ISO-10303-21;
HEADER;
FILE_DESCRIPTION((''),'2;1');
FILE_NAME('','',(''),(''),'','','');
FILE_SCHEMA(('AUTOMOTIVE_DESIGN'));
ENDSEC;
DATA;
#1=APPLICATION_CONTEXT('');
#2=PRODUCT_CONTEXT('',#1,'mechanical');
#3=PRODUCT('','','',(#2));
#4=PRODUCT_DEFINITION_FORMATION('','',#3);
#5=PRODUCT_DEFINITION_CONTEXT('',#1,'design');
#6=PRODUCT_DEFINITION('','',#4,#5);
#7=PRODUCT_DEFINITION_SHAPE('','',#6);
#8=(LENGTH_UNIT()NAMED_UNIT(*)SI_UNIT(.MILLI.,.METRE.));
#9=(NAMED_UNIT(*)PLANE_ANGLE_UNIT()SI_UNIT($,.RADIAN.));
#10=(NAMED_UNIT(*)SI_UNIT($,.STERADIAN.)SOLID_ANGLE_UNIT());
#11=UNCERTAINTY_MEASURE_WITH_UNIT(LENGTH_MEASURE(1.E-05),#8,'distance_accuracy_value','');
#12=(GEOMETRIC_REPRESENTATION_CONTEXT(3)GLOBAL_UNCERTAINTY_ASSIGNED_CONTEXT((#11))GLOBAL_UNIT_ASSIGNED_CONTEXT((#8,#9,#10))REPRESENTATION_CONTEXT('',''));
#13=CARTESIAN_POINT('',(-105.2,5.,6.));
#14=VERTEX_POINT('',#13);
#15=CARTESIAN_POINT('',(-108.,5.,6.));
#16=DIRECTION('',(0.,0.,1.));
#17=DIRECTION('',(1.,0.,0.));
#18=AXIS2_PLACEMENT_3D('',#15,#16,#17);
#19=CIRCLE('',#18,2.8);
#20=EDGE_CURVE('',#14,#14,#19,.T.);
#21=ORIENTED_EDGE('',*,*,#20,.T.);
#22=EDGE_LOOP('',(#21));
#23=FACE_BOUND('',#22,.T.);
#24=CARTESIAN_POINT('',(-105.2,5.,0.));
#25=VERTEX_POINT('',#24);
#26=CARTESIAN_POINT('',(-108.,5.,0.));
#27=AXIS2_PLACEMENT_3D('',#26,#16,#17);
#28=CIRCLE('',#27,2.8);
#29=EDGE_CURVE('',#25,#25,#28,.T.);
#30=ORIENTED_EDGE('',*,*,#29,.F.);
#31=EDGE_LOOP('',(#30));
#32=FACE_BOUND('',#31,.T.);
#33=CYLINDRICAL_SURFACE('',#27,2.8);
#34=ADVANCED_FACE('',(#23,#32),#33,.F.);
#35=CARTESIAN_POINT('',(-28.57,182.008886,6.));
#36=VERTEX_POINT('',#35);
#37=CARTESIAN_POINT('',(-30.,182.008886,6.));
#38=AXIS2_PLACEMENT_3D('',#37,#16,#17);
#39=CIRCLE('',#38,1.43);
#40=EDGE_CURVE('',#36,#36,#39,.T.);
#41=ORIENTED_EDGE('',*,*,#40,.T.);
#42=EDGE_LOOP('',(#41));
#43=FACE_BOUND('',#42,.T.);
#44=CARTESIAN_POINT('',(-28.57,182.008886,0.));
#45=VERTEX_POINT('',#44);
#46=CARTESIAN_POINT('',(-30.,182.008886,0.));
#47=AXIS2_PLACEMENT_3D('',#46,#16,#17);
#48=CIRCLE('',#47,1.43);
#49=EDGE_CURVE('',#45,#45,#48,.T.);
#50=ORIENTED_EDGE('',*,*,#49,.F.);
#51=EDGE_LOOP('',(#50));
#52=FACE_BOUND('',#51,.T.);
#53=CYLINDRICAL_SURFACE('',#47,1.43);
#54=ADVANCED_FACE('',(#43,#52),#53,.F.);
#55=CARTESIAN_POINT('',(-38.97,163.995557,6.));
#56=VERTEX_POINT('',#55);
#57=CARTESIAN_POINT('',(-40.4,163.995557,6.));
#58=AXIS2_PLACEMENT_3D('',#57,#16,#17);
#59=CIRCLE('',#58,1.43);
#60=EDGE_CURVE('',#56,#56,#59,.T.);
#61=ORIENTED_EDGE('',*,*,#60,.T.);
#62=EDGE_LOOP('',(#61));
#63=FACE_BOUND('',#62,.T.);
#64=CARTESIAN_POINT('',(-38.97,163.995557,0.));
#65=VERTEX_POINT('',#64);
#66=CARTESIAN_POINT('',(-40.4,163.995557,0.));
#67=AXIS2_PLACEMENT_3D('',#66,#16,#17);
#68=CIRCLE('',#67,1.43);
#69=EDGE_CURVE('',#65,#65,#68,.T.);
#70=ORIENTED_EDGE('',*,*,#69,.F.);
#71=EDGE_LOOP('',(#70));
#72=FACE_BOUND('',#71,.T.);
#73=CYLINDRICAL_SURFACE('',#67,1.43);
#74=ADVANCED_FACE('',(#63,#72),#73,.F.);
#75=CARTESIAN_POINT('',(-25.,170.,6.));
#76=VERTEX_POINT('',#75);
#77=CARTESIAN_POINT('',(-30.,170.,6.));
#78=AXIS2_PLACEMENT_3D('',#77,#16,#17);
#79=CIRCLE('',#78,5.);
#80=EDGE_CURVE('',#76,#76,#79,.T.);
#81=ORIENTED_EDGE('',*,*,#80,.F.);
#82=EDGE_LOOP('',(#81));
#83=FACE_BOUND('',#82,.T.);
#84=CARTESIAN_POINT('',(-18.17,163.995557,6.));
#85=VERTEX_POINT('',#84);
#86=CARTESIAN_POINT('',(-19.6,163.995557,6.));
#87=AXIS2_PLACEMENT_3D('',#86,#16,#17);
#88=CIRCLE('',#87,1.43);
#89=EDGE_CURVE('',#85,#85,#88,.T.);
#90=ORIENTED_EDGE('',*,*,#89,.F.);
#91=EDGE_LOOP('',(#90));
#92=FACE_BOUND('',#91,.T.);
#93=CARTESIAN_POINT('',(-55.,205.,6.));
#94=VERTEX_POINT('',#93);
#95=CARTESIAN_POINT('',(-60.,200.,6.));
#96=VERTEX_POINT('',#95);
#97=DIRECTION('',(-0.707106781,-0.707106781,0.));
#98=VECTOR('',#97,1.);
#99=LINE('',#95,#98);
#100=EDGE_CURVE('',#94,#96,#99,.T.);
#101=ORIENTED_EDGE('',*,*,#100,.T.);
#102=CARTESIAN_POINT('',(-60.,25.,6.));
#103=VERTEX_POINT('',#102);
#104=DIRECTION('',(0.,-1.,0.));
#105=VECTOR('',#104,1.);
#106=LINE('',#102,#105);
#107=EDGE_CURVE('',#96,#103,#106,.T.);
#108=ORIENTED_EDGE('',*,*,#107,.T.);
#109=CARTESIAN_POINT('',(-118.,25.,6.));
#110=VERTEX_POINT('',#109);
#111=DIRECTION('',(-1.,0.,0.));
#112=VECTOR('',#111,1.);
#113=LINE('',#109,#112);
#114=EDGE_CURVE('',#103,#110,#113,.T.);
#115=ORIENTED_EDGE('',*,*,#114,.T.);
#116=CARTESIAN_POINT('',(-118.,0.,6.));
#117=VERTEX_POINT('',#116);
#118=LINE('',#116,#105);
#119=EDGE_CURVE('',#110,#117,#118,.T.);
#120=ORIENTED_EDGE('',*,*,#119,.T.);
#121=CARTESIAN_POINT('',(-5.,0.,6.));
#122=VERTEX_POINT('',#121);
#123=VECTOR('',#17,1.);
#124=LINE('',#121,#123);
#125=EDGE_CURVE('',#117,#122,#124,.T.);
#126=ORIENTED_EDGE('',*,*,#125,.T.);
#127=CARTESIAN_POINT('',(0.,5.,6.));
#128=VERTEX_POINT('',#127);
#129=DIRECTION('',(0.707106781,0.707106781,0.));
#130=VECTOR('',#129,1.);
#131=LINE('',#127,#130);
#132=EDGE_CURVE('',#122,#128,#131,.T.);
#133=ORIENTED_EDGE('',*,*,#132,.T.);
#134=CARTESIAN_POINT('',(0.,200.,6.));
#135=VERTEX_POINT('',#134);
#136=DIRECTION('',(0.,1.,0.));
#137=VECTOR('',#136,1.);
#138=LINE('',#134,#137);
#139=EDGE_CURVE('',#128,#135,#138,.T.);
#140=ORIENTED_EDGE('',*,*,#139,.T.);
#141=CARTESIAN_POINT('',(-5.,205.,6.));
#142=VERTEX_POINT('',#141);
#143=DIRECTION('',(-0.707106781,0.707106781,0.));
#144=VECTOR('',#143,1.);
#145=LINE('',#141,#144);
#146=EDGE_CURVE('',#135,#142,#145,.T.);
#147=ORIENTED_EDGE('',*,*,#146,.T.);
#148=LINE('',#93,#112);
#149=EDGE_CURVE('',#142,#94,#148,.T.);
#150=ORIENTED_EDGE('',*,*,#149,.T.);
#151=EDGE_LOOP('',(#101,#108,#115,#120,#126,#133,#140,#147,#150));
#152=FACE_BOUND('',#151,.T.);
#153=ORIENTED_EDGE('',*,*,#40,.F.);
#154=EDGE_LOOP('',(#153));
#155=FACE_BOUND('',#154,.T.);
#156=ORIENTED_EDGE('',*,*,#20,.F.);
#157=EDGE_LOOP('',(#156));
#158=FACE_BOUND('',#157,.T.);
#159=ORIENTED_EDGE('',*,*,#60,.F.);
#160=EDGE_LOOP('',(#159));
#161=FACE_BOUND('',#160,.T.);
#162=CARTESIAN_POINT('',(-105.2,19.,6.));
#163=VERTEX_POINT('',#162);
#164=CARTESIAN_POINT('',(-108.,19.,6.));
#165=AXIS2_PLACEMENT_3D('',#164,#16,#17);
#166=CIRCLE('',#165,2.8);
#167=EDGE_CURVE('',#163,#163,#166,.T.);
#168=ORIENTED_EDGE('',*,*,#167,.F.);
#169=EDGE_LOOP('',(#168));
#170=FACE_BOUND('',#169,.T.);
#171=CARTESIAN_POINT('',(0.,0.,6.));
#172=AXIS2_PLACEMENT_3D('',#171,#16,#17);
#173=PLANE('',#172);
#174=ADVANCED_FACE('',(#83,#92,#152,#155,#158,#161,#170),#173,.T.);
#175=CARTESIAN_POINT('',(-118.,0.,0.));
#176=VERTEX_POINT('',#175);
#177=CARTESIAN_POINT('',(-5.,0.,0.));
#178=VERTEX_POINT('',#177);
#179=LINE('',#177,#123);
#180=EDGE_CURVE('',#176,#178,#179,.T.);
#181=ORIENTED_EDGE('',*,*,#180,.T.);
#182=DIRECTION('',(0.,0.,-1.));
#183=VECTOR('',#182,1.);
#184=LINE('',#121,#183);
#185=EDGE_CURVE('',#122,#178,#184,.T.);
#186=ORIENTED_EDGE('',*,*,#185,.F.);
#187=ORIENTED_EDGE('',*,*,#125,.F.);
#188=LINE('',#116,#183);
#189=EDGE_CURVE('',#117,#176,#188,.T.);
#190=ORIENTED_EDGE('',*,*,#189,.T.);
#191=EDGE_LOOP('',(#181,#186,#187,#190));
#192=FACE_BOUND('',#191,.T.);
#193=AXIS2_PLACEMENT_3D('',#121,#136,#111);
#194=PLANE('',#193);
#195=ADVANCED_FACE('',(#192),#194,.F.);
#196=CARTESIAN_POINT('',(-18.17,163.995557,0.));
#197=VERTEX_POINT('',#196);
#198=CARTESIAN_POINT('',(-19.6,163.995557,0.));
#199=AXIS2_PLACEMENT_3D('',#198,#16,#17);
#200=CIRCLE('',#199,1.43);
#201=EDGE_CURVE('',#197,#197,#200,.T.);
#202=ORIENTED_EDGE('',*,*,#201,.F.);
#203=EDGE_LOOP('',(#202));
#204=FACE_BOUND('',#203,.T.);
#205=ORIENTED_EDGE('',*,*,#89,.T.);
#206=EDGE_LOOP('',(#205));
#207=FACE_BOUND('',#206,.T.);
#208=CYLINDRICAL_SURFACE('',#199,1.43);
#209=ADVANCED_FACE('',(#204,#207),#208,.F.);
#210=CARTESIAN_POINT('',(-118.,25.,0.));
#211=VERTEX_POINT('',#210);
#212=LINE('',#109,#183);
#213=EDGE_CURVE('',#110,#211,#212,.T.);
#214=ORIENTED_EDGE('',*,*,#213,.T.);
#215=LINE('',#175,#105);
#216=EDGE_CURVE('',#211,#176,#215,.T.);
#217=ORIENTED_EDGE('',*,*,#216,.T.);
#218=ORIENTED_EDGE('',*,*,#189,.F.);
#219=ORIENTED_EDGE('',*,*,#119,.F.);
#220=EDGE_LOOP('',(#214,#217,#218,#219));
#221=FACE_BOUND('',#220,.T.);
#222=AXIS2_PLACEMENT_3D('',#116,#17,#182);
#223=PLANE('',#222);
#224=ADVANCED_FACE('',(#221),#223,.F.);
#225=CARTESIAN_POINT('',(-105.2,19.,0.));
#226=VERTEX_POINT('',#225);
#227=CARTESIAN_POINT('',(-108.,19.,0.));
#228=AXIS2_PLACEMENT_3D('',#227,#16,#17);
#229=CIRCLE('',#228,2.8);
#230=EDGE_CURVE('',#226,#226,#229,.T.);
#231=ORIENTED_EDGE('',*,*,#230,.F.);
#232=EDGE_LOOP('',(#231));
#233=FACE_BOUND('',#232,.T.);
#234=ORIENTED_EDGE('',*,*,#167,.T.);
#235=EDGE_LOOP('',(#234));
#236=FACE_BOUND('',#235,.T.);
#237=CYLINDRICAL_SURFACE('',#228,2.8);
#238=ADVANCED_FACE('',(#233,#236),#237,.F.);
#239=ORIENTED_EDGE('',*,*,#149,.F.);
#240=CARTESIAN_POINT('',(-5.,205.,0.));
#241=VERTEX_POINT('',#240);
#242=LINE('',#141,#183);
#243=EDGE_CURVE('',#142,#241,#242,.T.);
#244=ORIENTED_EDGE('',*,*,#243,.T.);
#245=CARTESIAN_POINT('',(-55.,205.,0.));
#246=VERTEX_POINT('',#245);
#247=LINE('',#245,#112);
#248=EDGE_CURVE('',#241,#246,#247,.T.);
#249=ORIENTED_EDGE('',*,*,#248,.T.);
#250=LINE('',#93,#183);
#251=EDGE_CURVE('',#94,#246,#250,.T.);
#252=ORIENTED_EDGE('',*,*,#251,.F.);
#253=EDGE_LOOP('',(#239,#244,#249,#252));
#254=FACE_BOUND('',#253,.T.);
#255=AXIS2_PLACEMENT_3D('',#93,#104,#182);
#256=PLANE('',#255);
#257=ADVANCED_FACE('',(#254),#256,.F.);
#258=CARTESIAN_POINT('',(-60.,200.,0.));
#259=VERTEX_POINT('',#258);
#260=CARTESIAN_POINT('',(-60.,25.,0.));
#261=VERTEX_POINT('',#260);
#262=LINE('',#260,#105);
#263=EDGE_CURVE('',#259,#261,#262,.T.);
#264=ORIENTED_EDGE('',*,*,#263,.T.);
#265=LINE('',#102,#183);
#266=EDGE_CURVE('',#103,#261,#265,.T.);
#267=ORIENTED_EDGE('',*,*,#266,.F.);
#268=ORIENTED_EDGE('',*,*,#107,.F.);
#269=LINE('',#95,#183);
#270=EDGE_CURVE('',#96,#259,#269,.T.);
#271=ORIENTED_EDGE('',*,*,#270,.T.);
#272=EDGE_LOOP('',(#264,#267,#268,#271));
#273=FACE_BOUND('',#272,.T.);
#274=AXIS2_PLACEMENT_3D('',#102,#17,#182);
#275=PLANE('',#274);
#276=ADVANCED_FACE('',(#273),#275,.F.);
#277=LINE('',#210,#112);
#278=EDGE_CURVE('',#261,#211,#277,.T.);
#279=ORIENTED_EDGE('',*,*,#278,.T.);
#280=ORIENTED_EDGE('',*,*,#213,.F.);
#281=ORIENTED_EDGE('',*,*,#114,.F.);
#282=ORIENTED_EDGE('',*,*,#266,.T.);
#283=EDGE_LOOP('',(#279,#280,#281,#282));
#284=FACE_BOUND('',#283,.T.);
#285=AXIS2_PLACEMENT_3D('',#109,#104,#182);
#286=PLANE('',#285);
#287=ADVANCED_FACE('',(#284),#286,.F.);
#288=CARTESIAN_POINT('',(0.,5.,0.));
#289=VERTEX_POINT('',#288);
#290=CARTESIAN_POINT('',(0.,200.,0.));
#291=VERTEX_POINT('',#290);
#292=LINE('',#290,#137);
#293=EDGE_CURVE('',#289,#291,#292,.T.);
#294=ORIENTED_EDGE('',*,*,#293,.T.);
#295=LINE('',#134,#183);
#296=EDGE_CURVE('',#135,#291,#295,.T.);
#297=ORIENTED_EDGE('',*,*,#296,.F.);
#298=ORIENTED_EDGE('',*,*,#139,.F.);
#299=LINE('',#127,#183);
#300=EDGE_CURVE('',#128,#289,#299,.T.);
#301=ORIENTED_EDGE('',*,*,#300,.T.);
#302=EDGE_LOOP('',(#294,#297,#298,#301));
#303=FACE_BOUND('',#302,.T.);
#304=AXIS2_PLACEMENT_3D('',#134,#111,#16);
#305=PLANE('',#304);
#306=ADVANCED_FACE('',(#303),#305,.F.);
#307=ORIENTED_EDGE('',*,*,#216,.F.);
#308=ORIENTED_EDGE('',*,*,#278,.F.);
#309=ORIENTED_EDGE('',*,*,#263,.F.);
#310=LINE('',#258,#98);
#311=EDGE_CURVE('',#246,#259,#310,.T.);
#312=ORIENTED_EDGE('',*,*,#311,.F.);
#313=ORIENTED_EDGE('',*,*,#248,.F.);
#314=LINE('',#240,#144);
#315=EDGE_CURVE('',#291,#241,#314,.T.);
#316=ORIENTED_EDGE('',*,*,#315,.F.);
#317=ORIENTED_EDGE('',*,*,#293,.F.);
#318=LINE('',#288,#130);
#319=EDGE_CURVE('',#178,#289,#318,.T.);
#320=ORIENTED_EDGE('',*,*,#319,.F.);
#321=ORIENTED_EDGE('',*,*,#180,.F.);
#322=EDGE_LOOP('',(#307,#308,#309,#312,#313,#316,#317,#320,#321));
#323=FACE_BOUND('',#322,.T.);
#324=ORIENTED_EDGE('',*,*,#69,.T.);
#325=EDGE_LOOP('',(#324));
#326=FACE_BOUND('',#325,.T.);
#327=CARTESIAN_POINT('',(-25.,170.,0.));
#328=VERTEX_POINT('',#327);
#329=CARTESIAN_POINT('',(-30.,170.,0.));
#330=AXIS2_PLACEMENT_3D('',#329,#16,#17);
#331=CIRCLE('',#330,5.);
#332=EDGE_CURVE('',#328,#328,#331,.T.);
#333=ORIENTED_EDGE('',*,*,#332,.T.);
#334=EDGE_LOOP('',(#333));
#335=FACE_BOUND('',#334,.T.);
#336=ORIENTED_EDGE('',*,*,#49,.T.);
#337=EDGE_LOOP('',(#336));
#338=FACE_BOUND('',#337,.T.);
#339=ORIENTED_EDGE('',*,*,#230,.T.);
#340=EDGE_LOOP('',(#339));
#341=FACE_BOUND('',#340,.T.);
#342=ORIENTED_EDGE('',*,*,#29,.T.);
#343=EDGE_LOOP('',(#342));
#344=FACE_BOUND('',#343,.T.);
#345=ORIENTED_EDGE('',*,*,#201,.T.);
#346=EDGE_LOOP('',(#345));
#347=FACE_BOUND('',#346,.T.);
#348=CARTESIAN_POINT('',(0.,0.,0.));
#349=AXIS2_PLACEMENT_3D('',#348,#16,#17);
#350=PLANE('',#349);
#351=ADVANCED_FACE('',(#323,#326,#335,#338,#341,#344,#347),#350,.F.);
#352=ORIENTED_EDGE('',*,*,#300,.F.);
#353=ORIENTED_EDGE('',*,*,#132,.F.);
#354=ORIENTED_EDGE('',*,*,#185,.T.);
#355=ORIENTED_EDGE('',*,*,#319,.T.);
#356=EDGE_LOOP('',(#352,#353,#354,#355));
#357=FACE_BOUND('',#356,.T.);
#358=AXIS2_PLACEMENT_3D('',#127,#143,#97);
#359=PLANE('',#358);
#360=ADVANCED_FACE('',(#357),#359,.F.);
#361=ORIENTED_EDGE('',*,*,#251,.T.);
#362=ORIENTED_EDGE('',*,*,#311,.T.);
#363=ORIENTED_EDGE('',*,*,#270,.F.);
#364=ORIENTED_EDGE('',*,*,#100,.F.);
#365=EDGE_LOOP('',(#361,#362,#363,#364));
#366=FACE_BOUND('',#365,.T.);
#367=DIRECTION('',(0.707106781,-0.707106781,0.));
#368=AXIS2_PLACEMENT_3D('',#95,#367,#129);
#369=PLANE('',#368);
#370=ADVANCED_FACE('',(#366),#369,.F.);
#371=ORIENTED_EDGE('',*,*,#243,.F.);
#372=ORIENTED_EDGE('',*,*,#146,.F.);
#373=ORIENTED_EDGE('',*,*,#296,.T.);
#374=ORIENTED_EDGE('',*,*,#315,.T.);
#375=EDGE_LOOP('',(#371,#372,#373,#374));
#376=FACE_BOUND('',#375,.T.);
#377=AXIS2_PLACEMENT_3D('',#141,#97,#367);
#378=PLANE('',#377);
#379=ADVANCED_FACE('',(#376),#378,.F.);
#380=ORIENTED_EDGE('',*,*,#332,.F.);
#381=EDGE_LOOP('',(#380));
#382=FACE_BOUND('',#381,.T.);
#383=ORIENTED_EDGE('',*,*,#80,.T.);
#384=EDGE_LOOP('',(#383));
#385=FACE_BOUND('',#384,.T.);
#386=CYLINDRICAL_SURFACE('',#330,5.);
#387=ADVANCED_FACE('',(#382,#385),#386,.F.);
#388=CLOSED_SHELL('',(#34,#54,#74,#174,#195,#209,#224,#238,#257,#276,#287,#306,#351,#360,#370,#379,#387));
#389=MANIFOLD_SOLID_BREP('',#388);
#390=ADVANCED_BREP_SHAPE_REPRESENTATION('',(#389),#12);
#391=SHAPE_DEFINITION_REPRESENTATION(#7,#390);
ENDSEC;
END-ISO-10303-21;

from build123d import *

# Parameters (mm, degrees)
BOSS_EXTRUDE1_DEPTH = 6
SKETCH2_R           = 2.8
SKETCH2_R_2         = 5
SKETCH2_R_3         = 1.43
CUT_EXTRUDE1_DEPTH  = 7


with BuildPart() as part:
    # Sketch1 → Boss-Extrude1 (new body)
    with BuildSketch(Plane.XY):
        Polygon((0, 200), (0, 5), (-5, 0), (-118, 0), (-118, 25), (-60, 25), (-60, 200), (-55, 205), (-5, 205), align=None)
    extrude(amount=BOSS_EXTRUDE1_DEPTH)

    # Sketch2 → Cut-Extrude1 (cut, through all)
    with BuildSketch(Plane.XY.offset(6)):
        with Locations((-108, 19)):
            Circle(SKETCH2_R)
        with Locations((-108, 5)):
            Circle(SKETCH2_R)
        with Locations((-30, 170)):
            Circle(SKETCH2_R_2)
        with Locations((-19.6, 163.9955572)):
            Circle(SKETCH2_R_3)
        with Locations((-40.4, 163.9955572)):
            Circle(SKETCH2_R_3)
        with Locations((-30, 182.008885599)):
            Circle(SKETCH2_R_3)
    extrude(amount=-CUT_EXTRUDE1_DEPTH, mode=Mode.SUBTRACT)


solid = part.part
